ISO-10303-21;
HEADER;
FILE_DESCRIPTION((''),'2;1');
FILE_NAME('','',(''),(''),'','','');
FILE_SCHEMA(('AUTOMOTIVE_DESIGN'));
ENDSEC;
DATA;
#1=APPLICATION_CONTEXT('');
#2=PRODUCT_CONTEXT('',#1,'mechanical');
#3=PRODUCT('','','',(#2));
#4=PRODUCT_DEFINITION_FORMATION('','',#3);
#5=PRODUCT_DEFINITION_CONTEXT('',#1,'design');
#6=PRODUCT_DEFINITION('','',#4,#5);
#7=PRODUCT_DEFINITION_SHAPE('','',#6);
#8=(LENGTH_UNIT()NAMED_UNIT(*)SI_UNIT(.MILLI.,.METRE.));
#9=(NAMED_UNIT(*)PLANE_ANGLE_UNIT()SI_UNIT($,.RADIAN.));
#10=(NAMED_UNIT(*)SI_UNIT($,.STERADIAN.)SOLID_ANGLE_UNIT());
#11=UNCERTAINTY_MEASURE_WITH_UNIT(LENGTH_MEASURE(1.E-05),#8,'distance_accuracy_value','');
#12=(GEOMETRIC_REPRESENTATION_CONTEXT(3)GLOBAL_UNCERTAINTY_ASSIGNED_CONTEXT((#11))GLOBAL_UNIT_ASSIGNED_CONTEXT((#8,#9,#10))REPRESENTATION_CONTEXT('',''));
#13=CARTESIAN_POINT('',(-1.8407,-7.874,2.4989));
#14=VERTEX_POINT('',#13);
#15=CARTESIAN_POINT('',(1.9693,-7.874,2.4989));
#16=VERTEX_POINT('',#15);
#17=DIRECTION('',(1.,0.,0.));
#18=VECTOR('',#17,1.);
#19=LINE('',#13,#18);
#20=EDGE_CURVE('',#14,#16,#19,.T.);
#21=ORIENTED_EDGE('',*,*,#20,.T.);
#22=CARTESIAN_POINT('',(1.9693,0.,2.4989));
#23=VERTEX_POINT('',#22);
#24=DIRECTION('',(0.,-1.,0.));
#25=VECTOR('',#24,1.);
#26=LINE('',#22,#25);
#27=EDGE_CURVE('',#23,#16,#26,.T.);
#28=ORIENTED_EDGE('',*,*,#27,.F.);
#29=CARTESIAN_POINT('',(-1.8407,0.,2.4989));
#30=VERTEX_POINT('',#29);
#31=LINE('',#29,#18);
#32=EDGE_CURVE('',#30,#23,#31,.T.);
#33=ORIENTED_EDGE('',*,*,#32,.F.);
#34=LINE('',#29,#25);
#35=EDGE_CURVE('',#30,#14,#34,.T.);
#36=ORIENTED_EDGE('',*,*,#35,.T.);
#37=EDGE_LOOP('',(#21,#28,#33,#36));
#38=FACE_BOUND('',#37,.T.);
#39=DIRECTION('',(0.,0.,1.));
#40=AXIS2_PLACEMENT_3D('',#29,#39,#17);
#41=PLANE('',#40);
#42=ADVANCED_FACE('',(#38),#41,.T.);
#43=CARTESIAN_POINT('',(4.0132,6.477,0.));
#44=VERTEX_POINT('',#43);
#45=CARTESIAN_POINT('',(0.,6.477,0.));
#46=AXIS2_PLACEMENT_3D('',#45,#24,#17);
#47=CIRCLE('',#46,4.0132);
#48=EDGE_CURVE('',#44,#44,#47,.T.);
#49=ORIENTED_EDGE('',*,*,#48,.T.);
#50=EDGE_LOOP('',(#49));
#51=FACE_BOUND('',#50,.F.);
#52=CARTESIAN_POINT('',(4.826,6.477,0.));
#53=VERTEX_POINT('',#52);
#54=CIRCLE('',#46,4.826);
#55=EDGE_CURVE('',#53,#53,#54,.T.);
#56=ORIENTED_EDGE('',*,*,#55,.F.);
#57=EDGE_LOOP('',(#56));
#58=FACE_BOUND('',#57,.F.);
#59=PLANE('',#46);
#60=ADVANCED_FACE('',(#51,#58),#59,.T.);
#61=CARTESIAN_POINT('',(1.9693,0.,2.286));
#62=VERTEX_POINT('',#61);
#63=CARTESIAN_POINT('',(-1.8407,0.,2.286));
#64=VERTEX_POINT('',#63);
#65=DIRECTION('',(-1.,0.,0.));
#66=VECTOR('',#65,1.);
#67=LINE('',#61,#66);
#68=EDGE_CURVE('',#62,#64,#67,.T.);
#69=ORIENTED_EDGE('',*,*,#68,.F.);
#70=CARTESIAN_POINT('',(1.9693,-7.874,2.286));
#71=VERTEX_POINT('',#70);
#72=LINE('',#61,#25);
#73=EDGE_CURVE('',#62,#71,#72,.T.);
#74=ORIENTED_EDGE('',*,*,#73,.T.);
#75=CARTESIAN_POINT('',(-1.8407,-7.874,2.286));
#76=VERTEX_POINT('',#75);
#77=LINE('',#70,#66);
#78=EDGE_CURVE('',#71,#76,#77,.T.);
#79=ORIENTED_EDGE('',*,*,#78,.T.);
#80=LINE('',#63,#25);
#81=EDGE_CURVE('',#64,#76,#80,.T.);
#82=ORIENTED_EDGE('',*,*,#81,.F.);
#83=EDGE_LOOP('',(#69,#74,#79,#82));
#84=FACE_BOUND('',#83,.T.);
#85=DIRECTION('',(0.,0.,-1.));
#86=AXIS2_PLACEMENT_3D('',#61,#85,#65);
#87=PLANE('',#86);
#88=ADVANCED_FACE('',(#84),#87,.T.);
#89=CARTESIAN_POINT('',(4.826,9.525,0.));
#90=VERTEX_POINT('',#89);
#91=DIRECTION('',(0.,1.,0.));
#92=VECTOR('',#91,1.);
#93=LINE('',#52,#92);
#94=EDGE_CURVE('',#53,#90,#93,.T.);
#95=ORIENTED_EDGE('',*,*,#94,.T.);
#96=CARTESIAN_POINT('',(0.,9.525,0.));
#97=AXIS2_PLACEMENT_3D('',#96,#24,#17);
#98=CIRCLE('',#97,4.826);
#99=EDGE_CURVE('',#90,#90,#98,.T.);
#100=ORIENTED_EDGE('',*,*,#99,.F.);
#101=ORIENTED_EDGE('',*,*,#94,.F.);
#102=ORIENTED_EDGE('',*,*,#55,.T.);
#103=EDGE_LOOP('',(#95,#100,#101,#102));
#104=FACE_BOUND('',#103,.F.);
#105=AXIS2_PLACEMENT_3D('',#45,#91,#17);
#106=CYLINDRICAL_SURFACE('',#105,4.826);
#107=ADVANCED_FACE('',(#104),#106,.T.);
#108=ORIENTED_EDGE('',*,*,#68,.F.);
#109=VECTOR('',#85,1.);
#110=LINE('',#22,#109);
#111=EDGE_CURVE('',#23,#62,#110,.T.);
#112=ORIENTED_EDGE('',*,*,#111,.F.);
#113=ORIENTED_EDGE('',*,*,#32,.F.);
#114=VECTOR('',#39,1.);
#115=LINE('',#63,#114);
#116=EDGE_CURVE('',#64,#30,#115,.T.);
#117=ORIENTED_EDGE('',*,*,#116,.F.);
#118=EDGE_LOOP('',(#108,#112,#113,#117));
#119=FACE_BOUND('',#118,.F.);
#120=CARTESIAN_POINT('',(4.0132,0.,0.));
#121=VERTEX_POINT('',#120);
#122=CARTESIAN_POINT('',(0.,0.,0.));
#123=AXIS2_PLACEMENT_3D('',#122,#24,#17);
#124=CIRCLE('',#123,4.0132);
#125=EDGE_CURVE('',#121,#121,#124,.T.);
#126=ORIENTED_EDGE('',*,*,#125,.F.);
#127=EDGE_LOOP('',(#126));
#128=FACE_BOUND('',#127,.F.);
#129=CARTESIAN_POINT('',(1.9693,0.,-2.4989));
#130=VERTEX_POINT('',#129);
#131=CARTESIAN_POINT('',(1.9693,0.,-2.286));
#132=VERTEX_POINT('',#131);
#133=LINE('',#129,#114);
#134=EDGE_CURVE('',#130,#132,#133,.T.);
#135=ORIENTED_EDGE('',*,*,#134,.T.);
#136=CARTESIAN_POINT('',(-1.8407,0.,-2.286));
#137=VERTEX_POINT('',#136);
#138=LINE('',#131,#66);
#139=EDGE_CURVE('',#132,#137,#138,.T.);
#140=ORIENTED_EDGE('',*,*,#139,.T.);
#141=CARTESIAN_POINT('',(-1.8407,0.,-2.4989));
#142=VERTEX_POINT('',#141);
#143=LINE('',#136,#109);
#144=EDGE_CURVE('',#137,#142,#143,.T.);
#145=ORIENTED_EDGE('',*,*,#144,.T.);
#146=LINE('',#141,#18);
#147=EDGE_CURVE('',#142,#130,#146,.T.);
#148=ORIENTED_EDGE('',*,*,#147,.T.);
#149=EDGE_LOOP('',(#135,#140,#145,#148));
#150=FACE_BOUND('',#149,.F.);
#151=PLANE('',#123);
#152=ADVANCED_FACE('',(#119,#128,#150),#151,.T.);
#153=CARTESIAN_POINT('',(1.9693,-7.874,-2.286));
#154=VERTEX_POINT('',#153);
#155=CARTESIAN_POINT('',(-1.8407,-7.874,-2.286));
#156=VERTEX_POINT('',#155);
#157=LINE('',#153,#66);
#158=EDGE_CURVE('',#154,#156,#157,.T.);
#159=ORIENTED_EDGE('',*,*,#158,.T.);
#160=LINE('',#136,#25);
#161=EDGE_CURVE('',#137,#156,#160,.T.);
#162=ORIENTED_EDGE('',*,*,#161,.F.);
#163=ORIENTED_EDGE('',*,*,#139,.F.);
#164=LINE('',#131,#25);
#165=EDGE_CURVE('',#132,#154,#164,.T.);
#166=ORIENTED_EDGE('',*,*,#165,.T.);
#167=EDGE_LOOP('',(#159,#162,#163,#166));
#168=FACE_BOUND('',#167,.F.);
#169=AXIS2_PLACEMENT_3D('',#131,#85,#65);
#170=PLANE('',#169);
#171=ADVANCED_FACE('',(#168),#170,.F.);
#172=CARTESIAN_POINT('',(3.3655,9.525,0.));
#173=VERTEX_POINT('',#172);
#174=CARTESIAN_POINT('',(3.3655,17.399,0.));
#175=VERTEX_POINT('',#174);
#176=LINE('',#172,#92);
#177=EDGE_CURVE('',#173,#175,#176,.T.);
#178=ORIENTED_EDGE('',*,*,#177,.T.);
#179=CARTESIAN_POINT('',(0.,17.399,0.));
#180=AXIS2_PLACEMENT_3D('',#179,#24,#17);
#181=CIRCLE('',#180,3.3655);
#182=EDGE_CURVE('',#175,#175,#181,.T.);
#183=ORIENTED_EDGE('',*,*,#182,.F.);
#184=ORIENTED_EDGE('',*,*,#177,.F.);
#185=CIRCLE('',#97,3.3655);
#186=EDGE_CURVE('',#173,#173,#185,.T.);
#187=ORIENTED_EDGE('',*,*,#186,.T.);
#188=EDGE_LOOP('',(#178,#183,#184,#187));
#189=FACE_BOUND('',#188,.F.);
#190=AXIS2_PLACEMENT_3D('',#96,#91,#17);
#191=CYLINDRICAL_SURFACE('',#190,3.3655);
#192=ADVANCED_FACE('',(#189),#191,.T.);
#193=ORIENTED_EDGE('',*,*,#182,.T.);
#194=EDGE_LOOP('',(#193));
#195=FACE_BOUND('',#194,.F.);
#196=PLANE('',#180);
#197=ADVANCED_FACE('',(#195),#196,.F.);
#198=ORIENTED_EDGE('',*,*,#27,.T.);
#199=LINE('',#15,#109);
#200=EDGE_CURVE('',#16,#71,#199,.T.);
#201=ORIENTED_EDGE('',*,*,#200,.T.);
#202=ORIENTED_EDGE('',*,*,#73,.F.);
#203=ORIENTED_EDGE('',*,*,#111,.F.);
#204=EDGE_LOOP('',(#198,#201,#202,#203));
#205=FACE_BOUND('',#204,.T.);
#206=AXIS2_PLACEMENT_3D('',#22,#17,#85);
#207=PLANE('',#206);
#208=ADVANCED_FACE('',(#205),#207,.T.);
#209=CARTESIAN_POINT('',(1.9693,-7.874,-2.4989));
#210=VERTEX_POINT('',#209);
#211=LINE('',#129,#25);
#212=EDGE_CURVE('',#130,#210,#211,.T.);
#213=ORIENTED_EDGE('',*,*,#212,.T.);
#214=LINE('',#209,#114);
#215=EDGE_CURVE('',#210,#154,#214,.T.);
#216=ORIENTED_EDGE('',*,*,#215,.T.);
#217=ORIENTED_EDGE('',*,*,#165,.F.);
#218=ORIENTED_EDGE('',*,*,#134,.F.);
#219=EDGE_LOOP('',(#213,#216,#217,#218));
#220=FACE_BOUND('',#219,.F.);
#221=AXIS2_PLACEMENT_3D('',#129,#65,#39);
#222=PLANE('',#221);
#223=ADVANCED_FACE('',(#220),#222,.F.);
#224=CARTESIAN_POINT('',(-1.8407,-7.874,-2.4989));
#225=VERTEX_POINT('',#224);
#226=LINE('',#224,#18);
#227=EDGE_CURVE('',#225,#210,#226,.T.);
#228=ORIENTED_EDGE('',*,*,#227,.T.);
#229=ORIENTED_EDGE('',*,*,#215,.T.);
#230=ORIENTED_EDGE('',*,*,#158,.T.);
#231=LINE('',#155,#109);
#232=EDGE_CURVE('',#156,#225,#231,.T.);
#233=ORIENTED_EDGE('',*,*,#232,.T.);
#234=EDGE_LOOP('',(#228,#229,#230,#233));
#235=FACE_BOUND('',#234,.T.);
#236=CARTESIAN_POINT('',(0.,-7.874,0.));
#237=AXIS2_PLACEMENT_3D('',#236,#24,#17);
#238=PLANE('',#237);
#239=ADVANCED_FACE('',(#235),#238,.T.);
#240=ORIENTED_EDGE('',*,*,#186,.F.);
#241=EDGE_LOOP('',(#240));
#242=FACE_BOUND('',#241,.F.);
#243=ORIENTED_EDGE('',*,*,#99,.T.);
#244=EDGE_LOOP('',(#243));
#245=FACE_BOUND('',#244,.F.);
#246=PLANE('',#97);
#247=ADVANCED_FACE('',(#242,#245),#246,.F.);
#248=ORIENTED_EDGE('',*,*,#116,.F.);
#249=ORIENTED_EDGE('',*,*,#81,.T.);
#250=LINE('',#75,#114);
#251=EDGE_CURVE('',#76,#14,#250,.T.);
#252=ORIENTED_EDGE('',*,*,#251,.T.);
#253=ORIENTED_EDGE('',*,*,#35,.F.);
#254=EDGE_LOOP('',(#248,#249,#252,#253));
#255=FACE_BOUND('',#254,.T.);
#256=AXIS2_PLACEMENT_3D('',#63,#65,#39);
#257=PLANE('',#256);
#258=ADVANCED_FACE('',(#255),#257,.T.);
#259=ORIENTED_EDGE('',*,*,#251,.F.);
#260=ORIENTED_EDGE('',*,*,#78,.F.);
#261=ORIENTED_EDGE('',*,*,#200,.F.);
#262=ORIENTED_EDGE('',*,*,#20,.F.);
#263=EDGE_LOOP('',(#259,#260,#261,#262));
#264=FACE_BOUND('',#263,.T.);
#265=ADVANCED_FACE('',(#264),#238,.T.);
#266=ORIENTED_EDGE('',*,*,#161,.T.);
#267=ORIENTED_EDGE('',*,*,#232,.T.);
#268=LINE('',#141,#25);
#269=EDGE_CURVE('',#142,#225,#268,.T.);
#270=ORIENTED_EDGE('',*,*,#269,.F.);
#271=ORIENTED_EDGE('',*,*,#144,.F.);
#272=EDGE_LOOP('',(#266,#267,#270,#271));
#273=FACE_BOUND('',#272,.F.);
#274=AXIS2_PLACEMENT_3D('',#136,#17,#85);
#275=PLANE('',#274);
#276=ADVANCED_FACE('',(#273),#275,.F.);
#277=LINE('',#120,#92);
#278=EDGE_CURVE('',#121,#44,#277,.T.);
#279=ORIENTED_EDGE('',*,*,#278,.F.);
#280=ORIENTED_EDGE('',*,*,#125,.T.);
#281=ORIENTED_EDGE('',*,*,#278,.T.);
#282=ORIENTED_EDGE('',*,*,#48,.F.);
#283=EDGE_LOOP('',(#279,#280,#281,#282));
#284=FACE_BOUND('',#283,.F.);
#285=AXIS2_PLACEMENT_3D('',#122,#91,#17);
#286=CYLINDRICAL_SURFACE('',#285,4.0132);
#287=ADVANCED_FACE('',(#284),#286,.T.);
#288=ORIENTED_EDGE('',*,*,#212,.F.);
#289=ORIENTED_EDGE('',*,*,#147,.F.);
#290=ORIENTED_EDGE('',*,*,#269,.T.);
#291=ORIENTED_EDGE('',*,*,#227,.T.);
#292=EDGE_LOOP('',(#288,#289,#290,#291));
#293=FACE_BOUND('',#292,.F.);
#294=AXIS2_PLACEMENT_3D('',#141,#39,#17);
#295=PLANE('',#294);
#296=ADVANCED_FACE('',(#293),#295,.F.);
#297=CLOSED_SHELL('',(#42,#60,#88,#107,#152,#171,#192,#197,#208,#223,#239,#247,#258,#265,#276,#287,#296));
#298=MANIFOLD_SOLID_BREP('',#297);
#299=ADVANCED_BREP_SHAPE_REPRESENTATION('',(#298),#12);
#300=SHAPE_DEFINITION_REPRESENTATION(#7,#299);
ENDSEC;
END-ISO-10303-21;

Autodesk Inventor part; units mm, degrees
ref_plane "YZ Plane" through (0, 0, 0) normal (1, 0, 0) x (0, 1, 0)
ref_plane "XZ Plane" through (0, 0, 0) normal (0, 1, 0) x (-1, 0, 0)
ref_plane "XY Plane" through (0, 0, 0) normal (0, 0, 1) x (1, 0, 0)
sketch "Sketch1" plane through (0, 0, 0) normal (0, 0, 1) x (1, 0, 0)
  line L0 (0, 0) -> (4.0132, 0)
  line L1 (4.0132, 0) -> (4.0132, 6.477)
  line L2 (4.0132, 6.477) -> (0, 6.477)
  line L3 (0, 6.477) -> (0, 0)
  line L4 (0, 6.477) -> (4.826, 6.477)
  line L5 (4.826, 6.477) -> (4.826, 9.525)
  line L6 (4.826, 9.525) -> (0, 9.525)
  line L7 (0, 9.525) -> (0, 6.477)
  line L8 (0, 9.525) -> (3.3655, 9.525)
  line L9 (3.3655, 9.525) -> (3.3655, 17.399)
  line L10 (3.3655, 17.399) -> (0, 17.399)
  line L11 (0, 17.399) -> (0, 9.525)
  dimension "d0" = 4.0132
  dimension "d1" = 6.477
  dimension "d2" = 4.826
  dimension "d3" = 3.048
  dimension "d4" = 3.3655
  dimension "d5" = 7.874
revolve "Revolution1" add sketch "Sketch1" angle 360 about axis through (0, 17.399, 0) along (0, -1, 0)
thread "Thread1" size "5/16-18 UNC" class "2A" standard "ANSI Unified Screw Threads" full length
sketch "Sketch2" plane through (0, 0, 0) normal (0, -1, 0) x (1, 0, 0)
  line L0 (1.9693, -2.286) -> (-1.8407, -2.286)
  line L1 (-1.8407, -2.286) -> (-1.8407, -2.4989)
  line L2 (-1.8407, -2.4989) -> (1.9693, -2.4989)
  line L3 (1.9693, -2.4989) -> (1.9693, -2.286)
  line L4 (3.0926, 0) -> (-3.1405, 0)
  line L5 (1.9693, 2.286) -> (-1.8407, 2.286)
  line L6 (-1.8407, 2.286) -> (-1.8407, 2.4989)
  line L7 (-1.8407, 2.4989) -> (1.9693, 2.4989)
  line L8 (1.9693, 2.4989) -> (1.9693, 2.286)
  point P0 (0, 0)
  dimension "d9" = 3.81
  dimension "d10" = 2.286
extrude "Extrusion1" add sketch "Sketch2" along normal blind 7.874
properties part number "PushSwitchBody" material "Stainless Steel"
